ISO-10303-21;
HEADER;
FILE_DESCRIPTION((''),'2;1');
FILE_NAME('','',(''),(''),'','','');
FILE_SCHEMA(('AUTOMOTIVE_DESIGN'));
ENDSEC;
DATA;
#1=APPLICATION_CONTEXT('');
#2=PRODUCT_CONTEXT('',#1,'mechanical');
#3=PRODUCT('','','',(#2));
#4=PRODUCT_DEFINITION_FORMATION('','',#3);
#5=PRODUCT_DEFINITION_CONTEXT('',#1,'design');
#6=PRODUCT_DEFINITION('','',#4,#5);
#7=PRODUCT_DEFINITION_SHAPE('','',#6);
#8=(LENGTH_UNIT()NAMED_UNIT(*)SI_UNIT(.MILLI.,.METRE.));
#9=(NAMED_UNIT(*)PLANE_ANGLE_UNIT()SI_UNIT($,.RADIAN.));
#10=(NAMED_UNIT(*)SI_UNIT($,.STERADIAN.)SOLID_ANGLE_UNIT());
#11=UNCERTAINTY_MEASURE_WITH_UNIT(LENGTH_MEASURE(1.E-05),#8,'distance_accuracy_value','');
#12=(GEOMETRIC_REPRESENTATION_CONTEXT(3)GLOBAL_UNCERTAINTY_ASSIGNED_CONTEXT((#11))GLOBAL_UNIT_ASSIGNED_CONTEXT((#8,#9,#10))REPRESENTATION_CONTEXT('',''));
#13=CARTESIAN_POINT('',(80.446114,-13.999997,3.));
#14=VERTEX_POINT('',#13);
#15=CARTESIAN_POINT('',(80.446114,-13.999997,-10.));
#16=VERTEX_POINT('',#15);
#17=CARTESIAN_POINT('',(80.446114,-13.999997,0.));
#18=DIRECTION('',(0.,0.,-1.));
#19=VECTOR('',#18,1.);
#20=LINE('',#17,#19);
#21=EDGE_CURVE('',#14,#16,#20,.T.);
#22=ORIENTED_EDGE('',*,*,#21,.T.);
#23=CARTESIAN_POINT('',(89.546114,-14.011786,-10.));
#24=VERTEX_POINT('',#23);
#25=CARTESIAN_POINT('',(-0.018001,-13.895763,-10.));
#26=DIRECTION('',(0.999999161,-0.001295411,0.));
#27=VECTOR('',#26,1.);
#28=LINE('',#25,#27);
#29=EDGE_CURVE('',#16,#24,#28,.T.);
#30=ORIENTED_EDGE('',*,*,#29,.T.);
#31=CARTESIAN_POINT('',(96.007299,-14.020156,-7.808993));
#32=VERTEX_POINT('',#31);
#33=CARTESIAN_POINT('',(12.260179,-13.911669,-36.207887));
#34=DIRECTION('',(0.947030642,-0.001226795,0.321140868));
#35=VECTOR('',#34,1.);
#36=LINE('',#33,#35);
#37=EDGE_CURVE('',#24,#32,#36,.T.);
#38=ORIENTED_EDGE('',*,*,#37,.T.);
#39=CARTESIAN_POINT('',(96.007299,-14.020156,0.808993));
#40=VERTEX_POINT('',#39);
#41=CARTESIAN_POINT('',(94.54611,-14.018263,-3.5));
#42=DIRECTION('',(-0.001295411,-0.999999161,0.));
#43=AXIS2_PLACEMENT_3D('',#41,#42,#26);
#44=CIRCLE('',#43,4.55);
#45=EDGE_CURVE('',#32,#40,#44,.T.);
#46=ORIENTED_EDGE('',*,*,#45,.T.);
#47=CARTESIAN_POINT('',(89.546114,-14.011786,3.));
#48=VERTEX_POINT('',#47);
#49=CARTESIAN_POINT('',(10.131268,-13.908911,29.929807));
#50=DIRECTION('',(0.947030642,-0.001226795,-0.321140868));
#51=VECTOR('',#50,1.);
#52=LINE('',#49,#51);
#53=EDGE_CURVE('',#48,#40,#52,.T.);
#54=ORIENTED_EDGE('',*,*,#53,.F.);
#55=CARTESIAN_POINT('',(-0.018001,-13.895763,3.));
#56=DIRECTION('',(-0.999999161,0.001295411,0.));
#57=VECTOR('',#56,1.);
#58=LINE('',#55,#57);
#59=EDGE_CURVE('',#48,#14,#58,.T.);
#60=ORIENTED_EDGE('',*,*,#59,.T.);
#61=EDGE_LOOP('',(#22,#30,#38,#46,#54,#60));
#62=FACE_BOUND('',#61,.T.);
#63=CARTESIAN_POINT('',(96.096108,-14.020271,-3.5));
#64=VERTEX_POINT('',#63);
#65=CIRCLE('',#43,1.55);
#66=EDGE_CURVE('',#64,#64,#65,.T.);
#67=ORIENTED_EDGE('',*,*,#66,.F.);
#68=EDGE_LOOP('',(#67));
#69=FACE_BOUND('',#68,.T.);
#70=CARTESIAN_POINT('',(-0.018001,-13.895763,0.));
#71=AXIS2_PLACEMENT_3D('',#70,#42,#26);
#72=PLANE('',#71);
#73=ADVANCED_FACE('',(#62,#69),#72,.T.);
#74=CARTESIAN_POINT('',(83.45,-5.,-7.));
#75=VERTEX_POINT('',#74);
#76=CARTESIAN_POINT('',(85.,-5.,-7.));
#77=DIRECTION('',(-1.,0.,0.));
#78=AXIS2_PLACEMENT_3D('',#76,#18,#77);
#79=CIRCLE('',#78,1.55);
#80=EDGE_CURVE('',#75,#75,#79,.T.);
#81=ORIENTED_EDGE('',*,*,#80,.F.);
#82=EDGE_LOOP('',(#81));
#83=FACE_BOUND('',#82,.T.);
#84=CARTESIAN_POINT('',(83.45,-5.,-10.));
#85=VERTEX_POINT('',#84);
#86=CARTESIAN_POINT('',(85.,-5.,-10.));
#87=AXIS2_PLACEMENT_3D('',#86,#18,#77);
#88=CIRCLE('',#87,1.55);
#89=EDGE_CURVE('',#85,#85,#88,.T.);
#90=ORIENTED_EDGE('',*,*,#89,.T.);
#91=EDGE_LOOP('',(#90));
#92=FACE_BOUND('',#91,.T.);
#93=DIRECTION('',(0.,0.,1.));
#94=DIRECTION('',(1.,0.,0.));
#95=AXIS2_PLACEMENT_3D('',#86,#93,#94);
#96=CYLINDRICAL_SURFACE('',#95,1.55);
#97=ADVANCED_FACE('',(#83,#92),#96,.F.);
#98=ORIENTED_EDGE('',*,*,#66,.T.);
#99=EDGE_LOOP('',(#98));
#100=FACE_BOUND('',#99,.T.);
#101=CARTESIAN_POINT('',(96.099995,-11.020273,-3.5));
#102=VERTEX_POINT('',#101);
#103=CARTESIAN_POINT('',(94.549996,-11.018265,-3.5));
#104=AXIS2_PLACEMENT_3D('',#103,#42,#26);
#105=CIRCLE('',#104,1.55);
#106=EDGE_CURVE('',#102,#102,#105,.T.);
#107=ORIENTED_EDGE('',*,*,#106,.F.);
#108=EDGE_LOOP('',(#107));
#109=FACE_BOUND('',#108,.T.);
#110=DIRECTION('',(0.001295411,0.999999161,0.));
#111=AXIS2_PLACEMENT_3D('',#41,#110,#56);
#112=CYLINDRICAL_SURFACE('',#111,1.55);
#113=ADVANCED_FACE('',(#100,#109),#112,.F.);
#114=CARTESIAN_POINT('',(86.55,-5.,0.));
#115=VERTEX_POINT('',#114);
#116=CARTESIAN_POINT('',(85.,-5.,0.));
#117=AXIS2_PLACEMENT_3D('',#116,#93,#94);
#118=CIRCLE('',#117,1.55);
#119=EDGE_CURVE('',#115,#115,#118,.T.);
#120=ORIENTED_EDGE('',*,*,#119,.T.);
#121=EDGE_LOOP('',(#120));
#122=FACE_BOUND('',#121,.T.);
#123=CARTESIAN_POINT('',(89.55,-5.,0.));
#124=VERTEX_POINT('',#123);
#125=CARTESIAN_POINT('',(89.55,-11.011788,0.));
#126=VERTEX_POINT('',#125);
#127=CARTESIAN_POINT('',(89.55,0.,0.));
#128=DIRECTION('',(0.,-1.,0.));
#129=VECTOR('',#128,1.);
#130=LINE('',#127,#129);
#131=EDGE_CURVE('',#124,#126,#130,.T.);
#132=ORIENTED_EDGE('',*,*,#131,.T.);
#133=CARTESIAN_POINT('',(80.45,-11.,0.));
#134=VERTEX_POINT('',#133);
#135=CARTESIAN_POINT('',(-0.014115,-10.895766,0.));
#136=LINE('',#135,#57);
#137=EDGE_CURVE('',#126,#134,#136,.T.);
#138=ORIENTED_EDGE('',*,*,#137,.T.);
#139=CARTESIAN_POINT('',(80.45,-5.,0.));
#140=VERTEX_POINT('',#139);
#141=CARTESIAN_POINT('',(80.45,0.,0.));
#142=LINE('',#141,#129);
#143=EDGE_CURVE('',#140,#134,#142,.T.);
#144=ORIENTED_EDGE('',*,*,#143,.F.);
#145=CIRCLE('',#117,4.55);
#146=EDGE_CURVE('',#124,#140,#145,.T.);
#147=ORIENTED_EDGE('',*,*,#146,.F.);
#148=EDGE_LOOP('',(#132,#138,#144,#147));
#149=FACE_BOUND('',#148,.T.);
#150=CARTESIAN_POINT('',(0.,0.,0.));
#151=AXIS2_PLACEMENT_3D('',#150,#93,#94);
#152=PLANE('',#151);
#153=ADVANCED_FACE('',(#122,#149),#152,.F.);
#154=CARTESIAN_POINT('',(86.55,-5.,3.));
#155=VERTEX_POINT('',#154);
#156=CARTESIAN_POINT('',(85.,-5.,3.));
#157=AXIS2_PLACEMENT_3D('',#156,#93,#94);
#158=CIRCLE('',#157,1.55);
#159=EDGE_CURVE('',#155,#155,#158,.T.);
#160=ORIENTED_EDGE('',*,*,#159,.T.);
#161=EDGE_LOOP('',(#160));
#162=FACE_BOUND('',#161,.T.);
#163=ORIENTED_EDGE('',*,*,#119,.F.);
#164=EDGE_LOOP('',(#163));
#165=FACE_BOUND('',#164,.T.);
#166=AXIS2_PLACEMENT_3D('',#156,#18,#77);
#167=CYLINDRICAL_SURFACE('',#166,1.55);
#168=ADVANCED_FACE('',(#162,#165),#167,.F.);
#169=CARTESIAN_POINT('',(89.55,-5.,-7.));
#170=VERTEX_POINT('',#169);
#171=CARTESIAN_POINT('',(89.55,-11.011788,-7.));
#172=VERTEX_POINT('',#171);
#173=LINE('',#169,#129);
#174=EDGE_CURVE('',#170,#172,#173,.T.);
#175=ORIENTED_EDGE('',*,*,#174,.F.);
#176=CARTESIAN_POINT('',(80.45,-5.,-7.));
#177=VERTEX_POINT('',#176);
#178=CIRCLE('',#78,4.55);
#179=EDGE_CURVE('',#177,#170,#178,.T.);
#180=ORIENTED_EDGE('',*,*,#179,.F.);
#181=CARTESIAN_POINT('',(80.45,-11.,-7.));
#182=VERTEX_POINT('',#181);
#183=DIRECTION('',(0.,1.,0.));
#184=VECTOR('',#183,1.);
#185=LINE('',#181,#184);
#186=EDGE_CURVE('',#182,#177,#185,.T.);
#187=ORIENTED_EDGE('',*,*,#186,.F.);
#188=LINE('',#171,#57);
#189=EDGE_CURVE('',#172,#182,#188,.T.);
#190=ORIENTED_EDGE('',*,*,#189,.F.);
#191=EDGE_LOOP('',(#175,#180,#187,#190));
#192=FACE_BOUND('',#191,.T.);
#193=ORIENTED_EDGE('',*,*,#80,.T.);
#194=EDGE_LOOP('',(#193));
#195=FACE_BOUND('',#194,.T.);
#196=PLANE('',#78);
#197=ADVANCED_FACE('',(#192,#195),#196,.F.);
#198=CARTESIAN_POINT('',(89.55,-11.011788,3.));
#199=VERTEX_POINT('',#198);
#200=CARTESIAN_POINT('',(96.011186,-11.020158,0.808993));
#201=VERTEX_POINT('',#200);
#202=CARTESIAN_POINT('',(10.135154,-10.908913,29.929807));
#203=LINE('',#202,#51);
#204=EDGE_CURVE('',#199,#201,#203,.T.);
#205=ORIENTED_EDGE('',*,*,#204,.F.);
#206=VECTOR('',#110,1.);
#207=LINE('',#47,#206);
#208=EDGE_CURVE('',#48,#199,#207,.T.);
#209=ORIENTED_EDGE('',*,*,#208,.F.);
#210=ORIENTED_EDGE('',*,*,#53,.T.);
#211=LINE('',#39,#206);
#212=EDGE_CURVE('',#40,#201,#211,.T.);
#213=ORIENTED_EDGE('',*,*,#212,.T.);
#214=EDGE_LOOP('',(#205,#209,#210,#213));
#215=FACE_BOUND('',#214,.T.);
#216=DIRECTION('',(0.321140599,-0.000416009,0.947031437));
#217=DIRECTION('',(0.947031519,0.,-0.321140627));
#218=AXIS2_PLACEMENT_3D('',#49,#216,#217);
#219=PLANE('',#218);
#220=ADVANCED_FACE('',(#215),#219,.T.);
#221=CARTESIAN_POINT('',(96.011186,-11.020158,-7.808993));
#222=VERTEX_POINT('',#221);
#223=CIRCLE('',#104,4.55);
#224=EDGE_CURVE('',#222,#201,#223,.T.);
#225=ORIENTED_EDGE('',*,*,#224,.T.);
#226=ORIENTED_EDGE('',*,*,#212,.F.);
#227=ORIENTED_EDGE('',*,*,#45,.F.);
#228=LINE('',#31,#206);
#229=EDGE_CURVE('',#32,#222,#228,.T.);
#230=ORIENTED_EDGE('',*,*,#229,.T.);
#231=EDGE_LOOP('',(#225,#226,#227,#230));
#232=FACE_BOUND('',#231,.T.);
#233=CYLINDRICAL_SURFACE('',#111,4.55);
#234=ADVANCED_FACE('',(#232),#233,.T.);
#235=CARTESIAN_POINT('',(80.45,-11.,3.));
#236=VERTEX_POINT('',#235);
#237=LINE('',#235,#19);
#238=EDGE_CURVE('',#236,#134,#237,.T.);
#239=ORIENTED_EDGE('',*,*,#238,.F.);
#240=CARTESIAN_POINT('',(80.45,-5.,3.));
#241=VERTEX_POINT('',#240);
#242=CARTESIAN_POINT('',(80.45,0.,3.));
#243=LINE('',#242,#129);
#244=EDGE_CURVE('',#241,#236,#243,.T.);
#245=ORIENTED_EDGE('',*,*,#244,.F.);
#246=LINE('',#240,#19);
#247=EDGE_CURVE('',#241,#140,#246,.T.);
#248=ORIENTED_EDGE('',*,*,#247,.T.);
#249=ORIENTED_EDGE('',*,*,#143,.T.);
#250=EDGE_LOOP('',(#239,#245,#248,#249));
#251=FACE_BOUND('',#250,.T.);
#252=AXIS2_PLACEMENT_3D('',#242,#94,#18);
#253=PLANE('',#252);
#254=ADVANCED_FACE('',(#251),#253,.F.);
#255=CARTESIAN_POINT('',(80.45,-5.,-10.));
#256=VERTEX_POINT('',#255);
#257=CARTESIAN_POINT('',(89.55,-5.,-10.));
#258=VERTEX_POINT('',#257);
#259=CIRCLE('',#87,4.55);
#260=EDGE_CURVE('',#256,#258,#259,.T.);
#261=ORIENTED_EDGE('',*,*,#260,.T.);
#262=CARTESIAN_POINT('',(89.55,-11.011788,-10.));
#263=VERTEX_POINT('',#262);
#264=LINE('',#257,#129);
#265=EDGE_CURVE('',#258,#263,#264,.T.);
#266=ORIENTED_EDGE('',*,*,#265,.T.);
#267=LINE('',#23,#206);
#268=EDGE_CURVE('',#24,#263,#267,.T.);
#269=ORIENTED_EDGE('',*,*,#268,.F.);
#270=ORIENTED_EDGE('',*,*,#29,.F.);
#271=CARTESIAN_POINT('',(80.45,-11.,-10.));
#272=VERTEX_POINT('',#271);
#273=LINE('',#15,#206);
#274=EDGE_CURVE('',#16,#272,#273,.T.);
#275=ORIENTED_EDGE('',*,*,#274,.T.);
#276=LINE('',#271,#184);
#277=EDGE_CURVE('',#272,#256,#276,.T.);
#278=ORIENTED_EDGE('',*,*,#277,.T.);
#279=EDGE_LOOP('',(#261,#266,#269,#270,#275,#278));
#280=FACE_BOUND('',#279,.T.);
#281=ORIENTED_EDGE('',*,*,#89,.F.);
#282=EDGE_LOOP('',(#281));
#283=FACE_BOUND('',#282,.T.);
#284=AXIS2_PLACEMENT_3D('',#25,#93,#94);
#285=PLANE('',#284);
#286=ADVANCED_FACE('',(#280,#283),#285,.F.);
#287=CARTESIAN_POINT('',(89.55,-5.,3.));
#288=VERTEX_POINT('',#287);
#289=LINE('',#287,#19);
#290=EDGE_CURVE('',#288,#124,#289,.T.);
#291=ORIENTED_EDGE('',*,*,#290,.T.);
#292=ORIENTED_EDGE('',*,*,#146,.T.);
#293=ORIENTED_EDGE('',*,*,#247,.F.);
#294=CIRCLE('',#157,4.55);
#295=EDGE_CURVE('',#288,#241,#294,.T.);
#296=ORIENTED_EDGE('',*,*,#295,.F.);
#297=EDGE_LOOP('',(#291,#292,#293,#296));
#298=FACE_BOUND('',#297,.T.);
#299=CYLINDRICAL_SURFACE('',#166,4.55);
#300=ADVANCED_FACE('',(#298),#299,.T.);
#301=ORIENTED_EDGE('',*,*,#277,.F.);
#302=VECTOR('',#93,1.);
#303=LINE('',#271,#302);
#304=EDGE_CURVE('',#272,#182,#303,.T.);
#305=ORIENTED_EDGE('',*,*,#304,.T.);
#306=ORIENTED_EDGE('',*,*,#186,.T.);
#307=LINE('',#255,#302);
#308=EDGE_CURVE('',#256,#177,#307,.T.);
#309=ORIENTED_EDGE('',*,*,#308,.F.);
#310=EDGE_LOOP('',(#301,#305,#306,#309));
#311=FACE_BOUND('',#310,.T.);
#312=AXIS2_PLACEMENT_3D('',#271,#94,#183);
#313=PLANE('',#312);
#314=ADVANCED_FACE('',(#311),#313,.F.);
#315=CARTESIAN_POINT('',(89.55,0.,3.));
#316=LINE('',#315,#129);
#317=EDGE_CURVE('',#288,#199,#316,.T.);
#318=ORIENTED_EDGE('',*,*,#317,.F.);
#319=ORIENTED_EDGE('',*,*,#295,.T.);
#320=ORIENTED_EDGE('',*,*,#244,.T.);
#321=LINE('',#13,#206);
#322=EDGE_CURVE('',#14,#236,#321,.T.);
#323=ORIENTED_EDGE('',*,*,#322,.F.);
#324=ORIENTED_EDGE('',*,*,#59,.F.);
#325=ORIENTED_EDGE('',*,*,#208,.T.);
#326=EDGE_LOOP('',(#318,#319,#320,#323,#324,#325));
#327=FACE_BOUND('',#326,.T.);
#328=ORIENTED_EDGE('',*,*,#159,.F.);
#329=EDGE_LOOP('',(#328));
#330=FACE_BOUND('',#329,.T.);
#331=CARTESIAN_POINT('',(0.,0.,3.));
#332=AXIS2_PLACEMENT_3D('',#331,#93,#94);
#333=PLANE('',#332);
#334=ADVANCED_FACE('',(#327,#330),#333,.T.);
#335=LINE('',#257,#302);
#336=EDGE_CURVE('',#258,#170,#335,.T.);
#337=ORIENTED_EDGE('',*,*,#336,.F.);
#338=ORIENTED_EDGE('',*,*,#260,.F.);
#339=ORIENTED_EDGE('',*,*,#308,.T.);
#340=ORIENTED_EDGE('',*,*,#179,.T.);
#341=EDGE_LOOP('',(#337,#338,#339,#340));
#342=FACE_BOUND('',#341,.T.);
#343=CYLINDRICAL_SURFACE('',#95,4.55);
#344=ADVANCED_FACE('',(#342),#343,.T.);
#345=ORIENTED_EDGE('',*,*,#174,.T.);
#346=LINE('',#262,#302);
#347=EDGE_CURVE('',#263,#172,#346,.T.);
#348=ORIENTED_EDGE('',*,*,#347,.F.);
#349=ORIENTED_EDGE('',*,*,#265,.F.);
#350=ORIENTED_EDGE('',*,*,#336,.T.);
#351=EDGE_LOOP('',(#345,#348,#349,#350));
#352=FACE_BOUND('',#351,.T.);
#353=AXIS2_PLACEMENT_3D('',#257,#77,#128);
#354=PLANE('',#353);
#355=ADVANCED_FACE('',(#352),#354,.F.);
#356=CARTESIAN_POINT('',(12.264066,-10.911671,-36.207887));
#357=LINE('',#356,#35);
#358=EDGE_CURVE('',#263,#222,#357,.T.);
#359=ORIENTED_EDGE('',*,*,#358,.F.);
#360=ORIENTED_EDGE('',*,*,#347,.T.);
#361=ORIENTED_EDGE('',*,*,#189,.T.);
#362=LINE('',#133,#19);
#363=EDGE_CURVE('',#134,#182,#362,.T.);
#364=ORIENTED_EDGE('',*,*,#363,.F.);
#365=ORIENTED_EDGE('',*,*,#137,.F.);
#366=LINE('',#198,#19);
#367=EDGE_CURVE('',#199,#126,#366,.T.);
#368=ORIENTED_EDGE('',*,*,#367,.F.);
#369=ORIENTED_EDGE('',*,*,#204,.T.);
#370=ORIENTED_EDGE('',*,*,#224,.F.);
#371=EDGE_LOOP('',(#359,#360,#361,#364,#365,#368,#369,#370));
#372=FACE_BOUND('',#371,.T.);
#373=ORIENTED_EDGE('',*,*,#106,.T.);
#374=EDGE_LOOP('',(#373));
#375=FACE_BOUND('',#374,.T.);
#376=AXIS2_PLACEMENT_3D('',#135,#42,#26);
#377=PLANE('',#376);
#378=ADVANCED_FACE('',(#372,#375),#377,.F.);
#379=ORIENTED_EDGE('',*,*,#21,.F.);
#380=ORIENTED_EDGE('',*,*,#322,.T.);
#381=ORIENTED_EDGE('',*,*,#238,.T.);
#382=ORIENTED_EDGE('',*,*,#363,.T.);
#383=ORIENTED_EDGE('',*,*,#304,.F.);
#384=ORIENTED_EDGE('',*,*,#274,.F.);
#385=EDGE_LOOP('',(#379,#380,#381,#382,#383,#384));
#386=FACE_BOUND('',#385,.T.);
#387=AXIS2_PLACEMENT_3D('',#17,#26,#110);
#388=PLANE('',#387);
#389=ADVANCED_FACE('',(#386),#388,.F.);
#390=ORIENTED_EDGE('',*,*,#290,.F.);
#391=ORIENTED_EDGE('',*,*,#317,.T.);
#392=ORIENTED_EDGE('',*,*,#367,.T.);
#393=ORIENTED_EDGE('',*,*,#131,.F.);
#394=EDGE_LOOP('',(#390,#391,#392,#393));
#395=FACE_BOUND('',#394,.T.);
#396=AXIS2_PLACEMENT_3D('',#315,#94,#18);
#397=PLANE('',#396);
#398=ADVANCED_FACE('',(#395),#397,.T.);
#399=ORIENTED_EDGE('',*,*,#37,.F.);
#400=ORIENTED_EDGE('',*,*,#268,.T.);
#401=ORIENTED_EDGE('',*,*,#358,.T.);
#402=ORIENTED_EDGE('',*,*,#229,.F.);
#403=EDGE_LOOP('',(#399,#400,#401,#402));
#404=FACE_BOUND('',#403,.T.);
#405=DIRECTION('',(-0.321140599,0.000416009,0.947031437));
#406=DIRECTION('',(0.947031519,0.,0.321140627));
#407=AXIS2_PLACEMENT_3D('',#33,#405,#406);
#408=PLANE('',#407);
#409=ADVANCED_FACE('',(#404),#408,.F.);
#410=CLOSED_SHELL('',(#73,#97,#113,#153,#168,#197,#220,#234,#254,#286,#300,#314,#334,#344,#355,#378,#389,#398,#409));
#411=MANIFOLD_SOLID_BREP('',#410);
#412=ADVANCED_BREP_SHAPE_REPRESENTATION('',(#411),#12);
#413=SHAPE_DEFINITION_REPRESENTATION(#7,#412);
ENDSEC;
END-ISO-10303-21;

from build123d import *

# Parameters (mm, degrees)
SKETCH1_R           = 1.55
BOSS_EXTRUDE1_DEPTH = 3
SKETCH2_R           = 1.55
BOSS_EXTRUDE2_DEPTH = 3
SKETCH3_R           = 1.55
BOSS_EXTRUDE3_DEPTH = 3


with BuildPart() as part:
    # Sketch1 → Boss-Extrude1 (new body)
    with BuildSketch(Plane.XY):
        with BuildLine():
            ThreePointArc((89.55, -5), (85, -0.45), (80.45, -5))
            Line((80.45, -5), (80.45, -11))
            Line((80.45, -11), (89.55, -11.011788251))
            Line((89.55, -11.011788251), (89.55, -5))
        make_face()
        with Locations((85, -5)):
            Circle(SKETCH1_R, mode=Mode.SUBTRACT)
    extrude(amount=BOSS_EXTRUDE1_DEPTH)



with BuildPart() as body_2:
    # Sketch2 → Boss-Extrude2 (new body)
    with BuildSketch(Plane(origin=(0, 0, -7), x_dir=(-1, 0, 0), z_dir=(0, 0, -1))):
        with BuildLine():
            Line((-89.55, -11.011788251), (-80.45, -11))
            Line((-80.45, -11), (-80.45, -5))
            ThreePointArc((-80.45, -5), (-85, -0.45), (-89.55, -5))
            Line((-89.55, -5), (-89.55, -11.011788251))
        make_face()
        with Locations((-85, -5)):
            Circle(SKETCH2_R, mode=Mode.SUBTRACT)
    extrude(amount=BOSS_EXTRUDE2_DEPTH)


with BuildPart() as part_1:
    add(part.part)

    add(body_2.part)  # Boss-Extrude3 merges body 2
    # Sketch3 → Boss-Extrude3 (add)
    with BuildSketch(Plane(origin=(-0.014114508, -10.895765801, 0), x_dir=(0.999999161, -0.001295411, 0), z_dir=(-0.001295411, -0.999999161, 0))):
        with BuildLine():
            Line((89.564189657, 3), (80.464182022, 3))
            Line((80.464182022, 3), (80.464182022, -10))
            Line((80.464182022, -10), (89.564189657, -10))
            Line((89.564189657, -10), (96.025380607, -7.808993039))
            ThreePointArc((96.025380607, -7.808993039), (99.114189657, -3.5), (96.025380607, 0.808993039))
            Line((96.025380607, 0.808993039), (89.564189657, 3))
        make_face()
        with Locations((94.564189657, -3.5)):
            Circle(SKETCH3_R, mode=Mode.SUBTRACT)
    extrude(amount=BOSS_EXTRUDE3_DEPTH)


solid = part_1.part
